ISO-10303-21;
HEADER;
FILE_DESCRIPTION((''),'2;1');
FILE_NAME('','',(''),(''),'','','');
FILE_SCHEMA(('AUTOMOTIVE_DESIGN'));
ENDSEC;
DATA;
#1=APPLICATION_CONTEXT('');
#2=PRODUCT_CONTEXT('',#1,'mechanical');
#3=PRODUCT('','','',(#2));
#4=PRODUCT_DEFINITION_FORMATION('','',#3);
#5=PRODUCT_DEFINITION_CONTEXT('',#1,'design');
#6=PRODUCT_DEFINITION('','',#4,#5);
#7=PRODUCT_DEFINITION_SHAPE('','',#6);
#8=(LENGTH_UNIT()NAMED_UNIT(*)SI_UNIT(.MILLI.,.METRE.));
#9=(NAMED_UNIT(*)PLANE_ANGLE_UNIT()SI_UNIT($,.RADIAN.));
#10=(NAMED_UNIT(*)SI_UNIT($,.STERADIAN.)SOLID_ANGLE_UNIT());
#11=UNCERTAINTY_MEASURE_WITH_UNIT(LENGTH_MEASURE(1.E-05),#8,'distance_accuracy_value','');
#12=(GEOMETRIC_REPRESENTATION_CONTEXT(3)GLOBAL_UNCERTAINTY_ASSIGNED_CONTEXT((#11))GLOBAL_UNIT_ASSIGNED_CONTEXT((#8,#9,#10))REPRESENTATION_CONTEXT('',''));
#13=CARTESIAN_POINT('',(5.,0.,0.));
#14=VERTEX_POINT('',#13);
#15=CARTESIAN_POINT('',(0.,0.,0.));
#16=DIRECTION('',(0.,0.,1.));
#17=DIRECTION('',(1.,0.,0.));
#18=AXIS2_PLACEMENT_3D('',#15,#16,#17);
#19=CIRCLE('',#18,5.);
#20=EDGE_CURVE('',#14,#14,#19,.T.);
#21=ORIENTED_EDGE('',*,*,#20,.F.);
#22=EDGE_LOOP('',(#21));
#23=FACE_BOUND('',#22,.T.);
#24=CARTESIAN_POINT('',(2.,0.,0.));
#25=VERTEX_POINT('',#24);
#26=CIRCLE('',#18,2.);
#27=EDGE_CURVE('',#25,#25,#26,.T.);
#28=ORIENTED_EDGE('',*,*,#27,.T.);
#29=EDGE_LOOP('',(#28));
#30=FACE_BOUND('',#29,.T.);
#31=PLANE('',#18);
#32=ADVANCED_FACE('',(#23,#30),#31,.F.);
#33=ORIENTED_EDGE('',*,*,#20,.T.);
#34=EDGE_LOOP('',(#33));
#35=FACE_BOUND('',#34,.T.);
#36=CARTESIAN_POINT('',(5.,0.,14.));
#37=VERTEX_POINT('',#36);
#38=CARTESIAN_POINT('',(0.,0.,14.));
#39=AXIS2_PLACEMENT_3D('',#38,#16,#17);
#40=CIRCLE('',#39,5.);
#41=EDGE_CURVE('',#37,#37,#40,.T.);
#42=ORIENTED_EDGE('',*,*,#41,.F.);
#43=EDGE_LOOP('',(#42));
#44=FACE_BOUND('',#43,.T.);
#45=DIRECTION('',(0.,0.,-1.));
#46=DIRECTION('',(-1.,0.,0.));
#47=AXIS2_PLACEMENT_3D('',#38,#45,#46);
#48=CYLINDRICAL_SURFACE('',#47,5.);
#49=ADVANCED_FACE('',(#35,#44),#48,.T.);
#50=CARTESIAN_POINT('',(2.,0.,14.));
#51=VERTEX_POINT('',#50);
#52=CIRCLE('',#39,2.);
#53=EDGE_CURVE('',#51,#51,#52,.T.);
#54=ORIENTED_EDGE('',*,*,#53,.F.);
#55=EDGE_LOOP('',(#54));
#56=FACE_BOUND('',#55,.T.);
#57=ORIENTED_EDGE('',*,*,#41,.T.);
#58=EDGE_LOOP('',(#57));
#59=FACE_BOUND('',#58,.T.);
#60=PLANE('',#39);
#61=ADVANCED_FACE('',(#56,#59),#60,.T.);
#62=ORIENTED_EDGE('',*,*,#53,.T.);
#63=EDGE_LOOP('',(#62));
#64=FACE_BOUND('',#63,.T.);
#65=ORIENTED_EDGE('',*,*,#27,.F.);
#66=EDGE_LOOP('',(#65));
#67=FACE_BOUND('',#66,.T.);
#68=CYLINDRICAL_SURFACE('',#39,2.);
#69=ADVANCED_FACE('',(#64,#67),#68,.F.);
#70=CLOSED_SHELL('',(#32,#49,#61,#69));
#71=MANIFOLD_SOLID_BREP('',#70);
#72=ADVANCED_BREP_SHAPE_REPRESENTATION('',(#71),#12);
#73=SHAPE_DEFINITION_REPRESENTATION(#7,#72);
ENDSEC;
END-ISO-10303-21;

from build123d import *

# Parameters (mm, degrees)
SKETCH1_R                 = 5
BOSS_EXTRUDE1_DEPTH       = 14
F_4_0MM_DOWEL_HOLE1_D     = 4
F_4_0MM_DOWEL_HOLE1_DEPTH = 14


with BuildPart() as part:
    # Sketch1 → Boss-Extrude1 (new body)
    with BuildSketch(Plane.XY):
        Circle(SKETCH1_R)
    extrude(amount=BOSS_EXTRUDE1_DEPTH)

    # Ø4.0mm Dowel Hole1
    with Locations(Plane.XY.offset(14)):
        with Locations((0, 0)):
            Hole(F_4_0MM_DOWEL_HOLE1_D / 2, depth=F_4_0MM_DOWEL_HOLE1_DEPTH)


solid = part.part
